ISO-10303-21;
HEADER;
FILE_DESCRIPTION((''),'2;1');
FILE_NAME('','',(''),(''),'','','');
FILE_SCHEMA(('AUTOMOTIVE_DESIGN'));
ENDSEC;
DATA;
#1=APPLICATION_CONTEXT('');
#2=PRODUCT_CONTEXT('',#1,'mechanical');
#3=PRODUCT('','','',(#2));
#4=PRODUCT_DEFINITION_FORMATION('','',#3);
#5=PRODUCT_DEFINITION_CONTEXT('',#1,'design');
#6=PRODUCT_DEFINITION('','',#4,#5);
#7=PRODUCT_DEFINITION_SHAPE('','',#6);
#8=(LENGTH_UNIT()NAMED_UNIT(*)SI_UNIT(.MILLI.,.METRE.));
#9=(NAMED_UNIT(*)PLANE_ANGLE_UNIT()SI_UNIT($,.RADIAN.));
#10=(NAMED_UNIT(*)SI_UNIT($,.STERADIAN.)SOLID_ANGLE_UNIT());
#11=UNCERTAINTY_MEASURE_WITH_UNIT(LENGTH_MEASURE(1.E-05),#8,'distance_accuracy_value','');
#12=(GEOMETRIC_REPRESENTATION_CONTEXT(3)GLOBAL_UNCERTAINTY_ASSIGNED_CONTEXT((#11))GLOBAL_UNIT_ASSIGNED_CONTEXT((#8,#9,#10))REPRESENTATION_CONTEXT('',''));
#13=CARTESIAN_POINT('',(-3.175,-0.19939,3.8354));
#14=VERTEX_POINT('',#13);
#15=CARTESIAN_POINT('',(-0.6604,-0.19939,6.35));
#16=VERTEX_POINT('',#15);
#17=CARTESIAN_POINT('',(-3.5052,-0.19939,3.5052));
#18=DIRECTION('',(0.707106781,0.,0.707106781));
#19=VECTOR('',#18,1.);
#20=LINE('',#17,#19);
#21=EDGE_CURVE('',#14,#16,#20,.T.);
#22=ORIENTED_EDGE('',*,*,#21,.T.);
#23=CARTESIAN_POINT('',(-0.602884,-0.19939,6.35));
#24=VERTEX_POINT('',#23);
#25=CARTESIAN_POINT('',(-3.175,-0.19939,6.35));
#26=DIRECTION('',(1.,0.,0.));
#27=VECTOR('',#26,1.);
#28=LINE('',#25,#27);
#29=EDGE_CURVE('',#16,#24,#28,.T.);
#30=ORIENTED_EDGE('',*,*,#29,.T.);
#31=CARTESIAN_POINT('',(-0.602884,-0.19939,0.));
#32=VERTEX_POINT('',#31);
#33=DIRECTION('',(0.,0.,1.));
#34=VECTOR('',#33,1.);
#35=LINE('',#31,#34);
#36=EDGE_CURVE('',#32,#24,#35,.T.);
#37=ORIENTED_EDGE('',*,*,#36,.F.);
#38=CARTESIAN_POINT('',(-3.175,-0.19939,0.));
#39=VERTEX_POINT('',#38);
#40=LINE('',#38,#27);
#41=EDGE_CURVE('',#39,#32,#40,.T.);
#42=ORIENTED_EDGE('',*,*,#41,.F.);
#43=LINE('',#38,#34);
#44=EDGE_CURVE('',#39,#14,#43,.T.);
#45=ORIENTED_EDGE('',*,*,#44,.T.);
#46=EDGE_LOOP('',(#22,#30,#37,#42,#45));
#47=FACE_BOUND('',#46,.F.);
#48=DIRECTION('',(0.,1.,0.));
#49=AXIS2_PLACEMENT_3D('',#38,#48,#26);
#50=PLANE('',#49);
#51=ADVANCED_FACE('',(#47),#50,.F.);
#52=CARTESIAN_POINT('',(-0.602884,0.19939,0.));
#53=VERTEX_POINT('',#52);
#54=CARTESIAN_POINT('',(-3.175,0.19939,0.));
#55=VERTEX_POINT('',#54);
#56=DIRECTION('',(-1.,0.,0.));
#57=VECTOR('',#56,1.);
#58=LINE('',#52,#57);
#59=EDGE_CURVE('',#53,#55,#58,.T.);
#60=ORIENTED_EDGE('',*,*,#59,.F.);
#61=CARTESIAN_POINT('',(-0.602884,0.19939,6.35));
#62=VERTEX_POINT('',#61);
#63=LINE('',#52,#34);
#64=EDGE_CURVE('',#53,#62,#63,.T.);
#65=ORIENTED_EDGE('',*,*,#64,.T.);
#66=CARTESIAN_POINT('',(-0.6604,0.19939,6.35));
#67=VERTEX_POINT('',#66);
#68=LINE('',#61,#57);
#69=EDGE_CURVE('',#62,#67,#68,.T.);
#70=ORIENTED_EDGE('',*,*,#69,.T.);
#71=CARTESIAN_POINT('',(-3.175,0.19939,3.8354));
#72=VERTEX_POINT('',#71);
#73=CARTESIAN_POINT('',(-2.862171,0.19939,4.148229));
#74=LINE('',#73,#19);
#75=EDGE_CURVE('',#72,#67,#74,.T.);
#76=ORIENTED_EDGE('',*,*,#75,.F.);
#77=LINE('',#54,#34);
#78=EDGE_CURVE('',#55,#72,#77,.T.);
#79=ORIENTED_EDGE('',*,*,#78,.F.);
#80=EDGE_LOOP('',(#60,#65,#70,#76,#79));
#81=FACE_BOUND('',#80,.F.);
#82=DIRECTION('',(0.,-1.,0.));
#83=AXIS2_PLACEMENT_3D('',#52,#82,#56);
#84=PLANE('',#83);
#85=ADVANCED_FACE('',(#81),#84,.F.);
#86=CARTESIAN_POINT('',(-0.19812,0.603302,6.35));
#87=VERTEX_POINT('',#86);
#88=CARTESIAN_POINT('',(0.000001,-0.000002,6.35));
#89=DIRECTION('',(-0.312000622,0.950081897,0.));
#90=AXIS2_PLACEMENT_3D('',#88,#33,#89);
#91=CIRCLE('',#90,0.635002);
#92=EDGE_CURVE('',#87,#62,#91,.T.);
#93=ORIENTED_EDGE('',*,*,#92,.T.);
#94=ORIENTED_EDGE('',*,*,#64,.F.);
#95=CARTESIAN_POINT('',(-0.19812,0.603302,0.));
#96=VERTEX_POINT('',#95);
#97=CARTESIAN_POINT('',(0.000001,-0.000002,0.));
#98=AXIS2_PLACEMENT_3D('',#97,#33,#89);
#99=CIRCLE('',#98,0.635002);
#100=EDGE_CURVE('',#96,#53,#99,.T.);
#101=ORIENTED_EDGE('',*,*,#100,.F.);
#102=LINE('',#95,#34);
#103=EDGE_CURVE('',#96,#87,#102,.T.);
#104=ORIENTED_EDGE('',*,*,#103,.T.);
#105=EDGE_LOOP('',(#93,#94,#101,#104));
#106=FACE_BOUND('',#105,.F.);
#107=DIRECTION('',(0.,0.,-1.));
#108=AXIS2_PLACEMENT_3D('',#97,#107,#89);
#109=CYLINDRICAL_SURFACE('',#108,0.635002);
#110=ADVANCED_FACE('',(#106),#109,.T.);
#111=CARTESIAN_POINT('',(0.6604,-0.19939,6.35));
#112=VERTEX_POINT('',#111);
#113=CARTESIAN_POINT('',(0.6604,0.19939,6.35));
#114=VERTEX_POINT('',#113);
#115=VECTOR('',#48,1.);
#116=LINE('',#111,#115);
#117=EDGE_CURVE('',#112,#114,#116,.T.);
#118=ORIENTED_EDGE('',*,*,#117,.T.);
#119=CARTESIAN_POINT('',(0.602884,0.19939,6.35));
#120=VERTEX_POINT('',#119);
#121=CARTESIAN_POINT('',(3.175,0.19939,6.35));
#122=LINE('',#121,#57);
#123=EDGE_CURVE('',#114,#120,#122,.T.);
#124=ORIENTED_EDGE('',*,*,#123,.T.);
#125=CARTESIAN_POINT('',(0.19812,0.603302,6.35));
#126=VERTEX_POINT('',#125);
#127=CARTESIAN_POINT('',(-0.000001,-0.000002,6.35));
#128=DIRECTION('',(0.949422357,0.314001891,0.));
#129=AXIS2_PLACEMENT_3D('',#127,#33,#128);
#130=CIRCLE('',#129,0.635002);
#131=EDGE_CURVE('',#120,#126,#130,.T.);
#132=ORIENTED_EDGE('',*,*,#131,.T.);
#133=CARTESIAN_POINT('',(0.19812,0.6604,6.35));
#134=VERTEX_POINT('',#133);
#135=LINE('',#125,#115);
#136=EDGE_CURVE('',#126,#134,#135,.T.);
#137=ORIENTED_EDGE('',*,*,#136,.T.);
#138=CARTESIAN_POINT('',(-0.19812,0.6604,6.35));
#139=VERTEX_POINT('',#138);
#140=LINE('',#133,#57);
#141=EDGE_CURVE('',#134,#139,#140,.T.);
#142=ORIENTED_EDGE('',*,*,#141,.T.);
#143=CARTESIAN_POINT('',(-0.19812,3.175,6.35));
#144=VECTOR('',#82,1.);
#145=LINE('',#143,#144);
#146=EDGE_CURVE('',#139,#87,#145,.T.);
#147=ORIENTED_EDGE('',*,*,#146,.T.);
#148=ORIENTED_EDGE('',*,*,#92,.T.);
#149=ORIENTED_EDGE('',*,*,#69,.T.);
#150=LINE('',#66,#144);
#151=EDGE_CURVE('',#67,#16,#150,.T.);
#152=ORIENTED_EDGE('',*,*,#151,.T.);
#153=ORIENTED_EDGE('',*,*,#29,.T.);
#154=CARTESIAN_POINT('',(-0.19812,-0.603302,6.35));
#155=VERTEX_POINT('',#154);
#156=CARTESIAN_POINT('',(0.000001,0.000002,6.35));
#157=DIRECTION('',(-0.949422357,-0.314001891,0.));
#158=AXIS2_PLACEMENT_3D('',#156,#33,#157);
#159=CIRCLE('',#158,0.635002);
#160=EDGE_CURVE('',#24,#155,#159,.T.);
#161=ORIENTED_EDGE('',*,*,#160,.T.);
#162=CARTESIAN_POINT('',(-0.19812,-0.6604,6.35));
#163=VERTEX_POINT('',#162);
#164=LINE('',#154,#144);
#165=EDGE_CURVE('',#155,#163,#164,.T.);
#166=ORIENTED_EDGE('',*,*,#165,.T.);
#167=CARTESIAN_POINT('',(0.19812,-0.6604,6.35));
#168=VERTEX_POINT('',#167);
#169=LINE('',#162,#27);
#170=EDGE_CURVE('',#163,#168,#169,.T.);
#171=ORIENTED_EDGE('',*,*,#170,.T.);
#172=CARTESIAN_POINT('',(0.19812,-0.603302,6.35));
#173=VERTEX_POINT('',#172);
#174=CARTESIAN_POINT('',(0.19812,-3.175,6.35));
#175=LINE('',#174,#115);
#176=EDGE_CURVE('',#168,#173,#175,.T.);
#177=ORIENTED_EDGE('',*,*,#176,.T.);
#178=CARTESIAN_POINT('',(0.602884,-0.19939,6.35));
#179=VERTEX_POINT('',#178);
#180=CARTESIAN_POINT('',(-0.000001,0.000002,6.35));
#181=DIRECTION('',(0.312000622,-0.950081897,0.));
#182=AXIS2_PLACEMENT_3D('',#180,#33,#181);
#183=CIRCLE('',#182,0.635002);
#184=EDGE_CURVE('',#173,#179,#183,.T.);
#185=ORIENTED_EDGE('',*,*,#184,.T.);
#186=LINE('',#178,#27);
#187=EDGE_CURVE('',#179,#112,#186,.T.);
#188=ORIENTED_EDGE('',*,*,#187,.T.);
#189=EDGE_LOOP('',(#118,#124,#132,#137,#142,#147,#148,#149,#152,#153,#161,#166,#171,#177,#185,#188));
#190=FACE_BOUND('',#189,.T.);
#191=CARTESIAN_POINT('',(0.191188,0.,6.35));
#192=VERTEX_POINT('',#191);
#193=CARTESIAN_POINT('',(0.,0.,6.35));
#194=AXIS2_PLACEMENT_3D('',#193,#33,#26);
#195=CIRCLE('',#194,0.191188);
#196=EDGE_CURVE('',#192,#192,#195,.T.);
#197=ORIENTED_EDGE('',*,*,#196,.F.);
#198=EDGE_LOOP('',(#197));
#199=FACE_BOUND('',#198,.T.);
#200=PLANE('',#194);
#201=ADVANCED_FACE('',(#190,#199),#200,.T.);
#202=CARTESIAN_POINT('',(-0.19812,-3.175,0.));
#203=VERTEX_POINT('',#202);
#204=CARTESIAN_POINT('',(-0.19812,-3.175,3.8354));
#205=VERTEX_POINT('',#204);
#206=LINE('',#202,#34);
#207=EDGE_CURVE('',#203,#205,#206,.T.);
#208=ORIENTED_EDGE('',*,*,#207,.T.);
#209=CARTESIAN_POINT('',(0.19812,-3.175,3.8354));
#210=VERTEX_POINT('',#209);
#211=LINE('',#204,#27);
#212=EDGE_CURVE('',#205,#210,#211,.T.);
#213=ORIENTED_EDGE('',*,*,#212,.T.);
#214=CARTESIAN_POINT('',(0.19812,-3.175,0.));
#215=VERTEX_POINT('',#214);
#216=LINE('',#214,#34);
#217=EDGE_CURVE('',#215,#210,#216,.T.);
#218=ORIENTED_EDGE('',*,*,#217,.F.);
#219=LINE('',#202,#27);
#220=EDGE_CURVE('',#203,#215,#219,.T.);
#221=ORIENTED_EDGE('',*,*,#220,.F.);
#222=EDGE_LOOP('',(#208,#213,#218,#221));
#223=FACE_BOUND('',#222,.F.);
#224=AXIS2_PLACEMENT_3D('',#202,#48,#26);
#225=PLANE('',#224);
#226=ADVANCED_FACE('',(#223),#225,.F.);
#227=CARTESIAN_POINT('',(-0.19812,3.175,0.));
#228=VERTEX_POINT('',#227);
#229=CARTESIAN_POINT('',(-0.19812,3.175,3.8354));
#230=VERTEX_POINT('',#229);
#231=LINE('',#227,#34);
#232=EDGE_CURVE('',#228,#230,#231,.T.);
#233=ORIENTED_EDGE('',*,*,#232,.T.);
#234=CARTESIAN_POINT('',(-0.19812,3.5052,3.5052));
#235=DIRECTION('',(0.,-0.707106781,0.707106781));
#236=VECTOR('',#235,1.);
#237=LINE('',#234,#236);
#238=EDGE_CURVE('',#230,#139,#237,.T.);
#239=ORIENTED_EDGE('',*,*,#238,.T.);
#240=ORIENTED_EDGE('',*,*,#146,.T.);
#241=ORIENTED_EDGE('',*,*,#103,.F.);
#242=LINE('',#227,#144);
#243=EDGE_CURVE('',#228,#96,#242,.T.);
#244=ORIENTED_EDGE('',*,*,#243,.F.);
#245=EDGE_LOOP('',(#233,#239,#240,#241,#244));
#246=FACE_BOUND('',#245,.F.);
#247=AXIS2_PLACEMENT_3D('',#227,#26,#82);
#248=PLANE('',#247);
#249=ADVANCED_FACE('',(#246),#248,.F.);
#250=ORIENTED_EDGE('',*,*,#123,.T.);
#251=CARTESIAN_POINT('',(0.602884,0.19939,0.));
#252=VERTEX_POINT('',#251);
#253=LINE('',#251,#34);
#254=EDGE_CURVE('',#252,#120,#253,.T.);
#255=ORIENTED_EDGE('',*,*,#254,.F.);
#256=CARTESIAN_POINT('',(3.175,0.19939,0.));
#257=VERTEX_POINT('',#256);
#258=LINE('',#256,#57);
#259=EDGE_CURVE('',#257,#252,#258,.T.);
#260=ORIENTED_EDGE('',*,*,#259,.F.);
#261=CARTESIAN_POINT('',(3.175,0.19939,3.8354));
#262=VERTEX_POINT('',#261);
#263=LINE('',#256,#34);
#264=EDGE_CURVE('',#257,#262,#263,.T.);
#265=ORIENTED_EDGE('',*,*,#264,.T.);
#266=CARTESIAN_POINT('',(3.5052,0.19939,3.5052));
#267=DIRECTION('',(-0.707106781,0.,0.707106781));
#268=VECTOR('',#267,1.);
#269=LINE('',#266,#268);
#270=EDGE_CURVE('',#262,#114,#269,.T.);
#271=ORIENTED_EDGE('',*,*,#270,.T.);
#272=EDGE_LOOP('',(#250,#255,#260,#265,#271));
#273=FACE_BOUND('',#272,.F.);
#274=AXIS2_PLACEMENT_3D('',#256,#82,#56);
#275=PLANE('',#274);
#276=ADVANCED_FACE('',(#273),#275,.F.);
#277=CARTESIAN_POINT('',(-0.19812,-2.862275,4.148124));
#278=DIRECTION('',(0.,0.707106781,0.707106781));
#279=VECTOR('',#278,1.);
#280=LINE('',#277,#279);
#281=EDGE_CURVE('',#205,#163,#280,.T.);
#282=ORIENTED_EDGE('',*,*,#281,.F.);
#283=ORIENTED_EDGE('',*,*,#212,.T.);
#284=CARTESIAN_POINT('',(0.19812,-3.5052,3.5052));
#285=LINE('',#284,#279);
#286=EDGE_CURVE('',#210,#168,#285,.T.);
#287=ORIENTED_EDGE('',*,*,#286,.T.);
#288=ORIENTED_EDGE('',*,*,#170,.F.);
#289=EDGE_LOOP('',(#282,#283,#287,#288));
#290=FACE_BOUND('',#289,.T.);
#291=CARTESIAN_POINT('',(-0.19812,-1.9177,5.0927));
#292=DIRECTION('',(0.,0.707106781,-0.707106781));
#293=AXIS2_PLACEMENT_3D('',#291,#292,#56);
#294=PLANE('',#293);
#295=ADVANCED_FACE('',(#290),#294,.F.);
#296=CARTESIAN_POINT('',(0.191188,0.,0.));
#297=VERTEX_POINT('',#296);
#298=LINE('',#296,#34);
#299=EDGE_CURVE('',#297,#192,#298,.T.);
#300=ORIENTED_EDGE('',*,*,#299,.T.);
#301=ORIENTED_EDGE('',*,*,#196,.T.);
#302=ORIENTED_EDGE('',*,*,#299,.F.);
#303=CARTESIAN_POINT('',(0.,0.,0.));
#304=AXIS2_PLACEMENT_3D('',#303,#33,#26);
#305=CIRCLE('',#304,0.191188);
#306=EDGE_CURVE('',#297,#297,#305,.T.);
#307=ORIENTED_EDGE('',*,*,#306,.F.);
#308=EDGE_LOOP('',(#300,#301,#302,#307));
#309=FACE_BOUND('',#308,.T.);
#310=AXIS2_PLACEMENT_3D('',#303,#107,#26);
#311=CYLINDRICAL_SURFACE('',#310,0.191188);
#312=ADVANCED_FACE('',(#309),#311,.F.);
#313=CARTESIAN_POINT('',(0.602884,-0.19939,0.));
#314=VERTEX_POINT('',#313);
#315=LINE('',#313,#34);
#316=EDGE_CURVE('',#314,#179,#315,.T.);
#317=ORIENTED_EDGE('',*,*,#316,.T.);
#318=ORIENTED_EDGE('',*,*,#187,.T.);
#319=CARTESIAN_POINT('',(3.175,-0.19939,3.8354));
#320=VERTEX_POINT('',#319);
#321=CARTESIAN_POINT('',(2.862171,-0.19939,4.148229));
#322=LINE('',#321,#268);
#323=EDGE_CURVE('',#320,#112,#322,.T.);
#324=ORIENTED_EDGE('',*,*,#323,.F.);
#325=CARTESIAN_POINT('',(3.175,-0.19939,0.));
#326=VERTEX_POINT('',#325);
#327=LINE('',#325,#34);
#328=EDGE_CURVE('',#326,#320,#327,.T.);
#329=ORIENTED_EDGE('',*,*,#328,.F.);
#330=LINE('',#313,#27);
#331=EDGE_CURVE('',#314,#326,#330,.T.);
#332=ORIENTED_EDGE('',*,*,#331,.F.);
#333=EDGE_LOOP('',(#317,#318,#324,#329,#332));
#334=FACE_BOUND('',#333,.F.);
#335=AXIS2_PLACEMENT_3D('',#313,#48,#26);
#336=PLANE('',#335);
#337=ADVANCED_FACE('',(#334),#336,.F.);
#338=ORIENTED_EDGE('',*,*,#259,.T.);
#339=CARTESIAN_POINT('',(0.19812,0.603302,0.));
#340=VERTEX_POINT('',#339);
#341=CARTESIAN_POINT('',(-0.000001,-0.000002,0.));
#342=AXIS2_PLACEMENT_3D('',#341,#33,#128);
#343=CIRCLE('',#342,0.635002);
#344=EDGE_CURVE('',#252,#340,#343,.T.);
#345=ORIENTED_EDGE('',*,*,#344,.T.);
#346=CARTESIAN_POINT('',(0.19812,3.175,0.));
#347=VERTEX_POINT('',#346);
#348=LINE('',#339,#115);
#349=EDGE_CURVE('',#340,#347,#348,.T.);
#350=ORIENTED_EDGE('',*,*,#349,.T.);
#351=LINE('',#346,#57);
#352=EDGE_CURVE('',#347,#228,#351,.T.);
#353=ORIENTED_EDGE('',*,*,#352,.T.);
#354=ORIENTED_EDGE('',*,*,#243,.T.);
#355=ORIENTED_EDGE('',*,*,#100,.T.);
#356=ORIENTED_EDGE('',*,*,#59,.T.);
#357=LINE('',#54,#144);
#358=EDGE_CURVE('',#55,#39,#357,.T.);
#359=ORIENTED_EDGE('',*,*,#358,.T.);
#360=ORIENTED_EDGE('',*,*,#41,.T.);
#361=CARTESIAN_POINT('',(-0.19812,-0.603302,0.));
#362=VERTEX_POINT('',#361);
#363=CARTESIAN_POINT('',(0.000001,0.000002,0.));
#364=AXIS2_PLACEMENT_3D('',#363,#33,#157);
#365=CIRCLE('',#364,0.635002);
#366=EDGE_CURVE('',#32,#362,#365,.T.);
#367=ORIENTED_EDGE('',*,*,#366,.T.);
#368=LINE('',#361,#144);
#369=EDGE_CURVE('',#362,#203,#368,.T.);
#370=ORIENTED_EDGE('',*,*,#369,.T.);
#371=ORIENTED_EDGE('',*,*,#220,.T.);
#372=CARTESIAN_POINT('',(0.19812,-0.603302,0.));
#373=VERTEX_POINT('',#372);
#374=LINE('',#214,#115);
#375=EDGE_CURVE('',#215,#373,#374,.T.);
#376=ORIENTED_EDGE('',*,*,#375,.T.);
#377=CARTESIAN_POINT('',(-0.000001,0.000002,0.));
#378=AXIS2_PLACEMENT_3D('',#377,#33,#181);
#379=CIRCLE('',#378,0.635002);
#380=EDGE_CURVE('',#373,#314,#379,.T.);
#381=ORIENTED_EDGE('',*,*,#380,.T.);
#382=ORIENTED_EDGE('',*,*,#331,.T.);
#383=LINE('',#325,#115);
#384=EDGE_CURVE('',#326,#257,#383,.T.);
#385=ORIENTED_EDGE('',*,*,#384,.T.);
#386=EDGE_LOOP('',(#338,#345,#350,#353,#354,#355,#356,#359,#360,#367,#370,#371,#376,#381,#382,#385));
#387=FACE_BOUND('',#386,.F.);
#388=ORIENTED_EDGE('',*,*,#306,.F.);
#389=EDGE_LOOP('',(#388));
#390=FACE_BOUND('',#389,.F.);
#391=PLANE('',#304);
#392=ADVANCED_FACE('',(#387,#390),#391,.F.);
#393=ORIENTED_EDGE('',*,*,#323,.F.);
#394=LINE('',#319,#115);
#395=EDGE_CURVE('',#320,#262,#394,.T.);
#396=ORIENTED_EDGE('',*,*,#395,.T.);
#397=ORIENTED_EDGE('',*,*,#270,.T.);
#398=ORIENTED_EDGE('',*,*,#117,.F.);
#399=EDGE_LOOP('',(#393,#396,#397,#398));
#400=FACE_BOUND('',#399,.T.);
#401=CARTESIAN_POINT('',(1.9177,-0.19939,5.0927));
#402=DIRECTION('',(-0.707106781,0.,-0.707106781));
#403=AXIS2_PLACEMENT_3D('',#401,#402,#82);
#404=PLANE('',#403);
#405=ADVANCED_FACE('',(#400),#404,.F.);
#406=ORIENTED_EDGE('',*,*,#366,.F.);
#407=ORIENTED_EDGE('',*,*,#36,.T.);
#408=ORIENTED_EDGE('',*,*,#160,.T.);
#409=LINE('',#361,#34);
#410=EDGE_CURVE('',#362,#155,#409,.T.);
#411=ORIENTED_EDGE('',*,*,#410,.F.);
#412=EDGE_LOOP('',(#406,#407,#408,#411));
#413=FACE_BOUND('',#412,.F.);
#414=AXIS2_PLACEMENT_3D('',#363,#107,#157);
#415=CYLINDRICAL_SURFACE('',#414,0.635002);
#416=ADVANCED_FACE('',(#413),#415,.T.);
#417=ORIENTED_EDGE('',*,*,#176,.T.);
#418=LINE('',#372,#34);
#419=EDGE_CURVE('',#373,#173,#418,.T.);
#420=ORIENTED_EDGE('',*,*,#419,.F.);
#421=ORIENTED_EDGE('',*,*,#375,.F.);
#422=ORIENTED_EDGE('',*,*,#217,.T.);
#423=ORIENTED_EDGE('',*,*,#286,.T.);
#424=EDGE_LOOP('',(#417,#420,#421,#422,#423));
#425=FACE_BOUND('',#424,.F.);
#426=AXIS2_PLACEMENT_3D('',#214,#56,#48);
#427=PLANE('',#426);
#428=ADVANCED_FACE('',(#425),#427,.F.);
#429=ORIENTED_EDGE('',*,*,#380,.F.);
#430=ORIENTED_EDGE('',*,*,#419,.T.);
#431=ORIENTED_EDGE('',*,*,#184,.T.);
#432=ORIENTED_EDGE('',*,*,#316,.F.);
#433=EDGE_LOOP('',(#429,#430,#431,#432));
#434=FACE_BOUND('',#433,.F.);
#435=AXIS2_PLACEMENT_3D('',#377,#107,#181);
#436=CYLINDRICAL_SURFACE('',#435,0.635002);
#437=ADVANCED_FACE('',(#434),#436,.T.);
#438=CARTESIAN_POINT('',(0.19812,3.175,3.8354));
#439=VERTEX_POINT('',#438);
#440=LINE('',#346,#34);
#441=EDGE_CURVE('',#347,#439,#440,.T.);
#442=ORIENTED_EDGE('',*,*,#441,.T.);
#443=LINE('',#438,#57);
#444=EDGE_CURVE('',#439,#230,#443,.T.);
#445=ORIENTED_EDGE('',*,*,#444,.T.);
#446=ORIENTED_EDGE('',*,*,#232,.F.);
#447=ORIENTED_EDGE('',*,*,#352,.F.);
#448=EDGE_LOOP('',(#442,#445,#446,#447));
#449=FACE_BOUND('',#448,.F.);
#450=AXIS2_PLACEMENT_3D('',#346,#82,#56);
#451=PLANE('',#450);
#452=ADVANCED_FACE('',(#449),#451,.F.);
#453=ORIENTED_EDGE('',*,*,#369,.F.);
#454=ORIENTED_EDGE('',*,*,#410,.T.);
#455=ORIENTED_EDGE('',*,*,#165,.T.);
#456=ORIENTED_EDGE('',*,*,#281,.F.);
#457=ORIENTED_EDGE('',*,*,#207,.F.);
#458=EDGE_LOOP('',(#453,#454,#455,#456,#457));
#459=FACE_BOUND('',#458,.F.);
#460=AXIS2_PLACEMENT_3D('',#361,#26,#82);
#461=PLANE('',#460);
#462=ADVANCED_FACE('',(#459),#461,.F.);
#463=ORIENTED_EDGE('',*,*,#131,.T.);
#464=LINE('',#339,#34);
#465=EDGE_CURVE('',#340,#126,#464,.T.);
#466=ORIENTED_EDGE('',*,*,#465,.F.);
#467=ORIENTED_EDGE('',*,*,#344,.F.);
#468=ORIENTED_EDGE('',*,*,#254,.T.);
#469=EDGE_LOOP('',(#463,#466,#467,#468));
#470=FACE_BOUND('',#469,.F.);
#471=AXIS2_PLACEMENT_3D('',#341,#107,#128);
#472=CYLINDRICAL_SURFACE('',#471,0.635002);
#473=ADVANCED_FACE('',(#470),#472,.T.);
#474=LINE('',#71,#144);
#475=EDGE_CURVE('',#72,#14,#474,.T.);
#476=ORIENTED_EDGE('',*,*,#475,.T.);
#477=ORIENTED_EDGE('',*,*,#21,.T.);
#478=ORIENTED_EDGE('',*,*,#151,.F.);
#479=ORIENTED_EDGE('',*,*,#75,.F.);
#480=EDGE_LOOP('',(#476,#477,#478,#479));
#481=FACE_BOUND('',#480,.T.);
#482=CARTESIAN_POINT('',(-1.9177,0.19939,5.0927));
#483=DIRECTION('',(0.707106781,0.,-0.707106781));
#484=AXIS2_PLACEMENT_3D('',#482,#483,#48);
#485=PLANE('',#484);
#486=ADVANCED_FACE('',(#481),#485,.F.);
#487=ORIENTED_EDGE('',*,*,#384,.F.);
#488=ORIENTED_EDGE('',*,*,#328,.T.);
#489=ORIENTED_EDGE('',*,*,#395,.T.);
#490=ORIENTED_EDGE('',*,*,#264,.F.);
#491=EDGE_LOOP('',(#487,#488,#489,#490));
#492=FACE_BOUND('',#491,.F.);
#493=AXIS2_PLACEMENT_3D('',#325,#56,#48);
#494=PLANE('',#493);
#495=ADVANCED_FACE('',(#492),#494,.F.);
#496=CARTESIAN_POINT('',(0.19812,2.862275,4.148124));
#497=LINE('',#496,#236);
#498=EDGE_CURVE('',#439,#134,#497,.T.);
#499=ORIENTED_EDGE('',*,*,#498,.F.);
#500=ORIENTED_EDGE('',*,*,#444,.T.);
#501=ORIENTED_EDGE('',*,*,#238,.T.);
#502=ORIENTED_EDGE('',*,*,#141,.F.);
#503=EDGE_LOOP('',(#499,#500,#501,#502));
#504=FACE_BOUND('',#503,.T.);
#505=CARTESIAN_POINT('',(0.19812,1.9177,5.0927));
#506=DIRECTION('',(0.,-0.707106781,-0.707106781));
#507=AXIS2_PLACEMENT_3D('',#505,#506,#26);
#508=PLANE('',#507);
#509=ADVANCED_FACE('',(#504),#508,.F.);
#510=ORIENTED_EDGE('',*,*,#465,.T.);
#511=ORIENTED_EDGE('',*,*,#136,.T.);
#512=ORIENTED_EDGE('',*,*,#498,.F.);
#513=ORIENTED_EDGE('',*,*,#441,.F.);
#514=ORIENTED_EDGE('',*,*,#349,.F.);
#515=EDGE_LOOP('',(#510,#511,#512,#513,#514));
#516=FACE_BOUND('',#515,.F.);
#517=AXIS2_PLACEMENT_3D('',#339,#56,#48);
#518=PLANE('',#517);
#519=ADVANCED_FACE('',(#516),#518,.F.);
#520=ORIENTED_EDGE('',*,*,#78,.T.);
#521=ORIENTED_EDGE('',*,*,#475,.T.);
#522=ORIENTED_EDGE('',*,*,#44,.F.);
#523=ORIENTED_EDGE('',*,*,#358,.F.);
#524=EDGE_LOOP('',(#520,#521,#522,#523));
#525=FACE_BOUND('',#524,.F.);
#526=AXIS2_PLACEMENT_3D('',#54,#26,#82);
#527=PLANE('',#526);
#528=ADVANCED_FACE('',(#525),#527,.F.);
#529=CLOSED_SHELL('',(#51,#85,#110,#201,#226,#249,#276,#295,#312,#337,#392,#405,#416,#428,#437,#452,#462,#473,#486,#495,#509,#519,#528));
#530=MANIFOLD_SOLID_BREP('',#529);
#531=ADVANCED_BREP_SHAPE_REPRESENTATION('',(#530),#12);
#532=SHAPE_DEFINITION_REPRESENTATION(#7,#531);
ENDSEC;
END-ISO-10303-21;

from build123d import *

# Parameters (mm, degrees)
F0_R     = 0.191188
F1_DEPTH = 6.35
F2_SIZE  = 2.5146


with BuildPart() as f1:
    # F0 (on Top) → F1 (new body)
    with BuildSketch(Plane.XY):
        with BuildLine():
            Line((0.602884, -0.19939), (3.175, -0.19939))
            Line((3.175, -0.19939), (3.175, 0.19939))
            Line((3.175, 0.19939), (0.602884, 0.19939))
            ThreePointArc((0.602884, 0.19939), (0.44854, 0.449485), (0.19812, 0.603302))
            Line((0.19812, 0.603302), (0.19812, 3.175))
            Line((0.19812, 3.175), (-0.19812, 3.175))
            Line((-0.19812, 3.175), (-0.19812, 0.603302))
            ThreePointArc((-0.19812, 0.603302), (-0.44854, 0.449485), (-0.602884, 0.19939))
            Line((-0.602884, 0.19939), (-3.175, 0.19939))
            Line((-3.175, 0.19939), (-3.175, -0.19939))
            Line((-3.175, -0.19939), (-0.602884, -0.19939))
            ThreePointArc((-0.602884, -0.19939), (-0.44854, -0.449485), (-0.19812, -0.603302))
            Line((-0.19812, -0.603302), (-0.19812, -3.175))
            Line((-0.19812, -3.175), (0.19812, -3.175))
            Line((0.19812, -3.175), (0.19812, -0.603302))
            ThreePointArc((0.19812, -0.603302), (0.44854, -0.449485), (0.602884, -0.19939))
        make_face()
        Circle(F0_R, mode=Mode.SUBTRACT)
    extrude(amount=F1_DEPTH)

    # F2
    f2_edges = [f1.edges().sort_by_distance(p)[0] for p in [
        (0, -3.175, 6.35),
        (-3.175, 0, 6.35),
        (3.175, 0, 6.35),
        (0, 3.175, 6.35),
    ]]
    chamfer(f2_edges, length=F2_SIZE)


solid = f1.part
